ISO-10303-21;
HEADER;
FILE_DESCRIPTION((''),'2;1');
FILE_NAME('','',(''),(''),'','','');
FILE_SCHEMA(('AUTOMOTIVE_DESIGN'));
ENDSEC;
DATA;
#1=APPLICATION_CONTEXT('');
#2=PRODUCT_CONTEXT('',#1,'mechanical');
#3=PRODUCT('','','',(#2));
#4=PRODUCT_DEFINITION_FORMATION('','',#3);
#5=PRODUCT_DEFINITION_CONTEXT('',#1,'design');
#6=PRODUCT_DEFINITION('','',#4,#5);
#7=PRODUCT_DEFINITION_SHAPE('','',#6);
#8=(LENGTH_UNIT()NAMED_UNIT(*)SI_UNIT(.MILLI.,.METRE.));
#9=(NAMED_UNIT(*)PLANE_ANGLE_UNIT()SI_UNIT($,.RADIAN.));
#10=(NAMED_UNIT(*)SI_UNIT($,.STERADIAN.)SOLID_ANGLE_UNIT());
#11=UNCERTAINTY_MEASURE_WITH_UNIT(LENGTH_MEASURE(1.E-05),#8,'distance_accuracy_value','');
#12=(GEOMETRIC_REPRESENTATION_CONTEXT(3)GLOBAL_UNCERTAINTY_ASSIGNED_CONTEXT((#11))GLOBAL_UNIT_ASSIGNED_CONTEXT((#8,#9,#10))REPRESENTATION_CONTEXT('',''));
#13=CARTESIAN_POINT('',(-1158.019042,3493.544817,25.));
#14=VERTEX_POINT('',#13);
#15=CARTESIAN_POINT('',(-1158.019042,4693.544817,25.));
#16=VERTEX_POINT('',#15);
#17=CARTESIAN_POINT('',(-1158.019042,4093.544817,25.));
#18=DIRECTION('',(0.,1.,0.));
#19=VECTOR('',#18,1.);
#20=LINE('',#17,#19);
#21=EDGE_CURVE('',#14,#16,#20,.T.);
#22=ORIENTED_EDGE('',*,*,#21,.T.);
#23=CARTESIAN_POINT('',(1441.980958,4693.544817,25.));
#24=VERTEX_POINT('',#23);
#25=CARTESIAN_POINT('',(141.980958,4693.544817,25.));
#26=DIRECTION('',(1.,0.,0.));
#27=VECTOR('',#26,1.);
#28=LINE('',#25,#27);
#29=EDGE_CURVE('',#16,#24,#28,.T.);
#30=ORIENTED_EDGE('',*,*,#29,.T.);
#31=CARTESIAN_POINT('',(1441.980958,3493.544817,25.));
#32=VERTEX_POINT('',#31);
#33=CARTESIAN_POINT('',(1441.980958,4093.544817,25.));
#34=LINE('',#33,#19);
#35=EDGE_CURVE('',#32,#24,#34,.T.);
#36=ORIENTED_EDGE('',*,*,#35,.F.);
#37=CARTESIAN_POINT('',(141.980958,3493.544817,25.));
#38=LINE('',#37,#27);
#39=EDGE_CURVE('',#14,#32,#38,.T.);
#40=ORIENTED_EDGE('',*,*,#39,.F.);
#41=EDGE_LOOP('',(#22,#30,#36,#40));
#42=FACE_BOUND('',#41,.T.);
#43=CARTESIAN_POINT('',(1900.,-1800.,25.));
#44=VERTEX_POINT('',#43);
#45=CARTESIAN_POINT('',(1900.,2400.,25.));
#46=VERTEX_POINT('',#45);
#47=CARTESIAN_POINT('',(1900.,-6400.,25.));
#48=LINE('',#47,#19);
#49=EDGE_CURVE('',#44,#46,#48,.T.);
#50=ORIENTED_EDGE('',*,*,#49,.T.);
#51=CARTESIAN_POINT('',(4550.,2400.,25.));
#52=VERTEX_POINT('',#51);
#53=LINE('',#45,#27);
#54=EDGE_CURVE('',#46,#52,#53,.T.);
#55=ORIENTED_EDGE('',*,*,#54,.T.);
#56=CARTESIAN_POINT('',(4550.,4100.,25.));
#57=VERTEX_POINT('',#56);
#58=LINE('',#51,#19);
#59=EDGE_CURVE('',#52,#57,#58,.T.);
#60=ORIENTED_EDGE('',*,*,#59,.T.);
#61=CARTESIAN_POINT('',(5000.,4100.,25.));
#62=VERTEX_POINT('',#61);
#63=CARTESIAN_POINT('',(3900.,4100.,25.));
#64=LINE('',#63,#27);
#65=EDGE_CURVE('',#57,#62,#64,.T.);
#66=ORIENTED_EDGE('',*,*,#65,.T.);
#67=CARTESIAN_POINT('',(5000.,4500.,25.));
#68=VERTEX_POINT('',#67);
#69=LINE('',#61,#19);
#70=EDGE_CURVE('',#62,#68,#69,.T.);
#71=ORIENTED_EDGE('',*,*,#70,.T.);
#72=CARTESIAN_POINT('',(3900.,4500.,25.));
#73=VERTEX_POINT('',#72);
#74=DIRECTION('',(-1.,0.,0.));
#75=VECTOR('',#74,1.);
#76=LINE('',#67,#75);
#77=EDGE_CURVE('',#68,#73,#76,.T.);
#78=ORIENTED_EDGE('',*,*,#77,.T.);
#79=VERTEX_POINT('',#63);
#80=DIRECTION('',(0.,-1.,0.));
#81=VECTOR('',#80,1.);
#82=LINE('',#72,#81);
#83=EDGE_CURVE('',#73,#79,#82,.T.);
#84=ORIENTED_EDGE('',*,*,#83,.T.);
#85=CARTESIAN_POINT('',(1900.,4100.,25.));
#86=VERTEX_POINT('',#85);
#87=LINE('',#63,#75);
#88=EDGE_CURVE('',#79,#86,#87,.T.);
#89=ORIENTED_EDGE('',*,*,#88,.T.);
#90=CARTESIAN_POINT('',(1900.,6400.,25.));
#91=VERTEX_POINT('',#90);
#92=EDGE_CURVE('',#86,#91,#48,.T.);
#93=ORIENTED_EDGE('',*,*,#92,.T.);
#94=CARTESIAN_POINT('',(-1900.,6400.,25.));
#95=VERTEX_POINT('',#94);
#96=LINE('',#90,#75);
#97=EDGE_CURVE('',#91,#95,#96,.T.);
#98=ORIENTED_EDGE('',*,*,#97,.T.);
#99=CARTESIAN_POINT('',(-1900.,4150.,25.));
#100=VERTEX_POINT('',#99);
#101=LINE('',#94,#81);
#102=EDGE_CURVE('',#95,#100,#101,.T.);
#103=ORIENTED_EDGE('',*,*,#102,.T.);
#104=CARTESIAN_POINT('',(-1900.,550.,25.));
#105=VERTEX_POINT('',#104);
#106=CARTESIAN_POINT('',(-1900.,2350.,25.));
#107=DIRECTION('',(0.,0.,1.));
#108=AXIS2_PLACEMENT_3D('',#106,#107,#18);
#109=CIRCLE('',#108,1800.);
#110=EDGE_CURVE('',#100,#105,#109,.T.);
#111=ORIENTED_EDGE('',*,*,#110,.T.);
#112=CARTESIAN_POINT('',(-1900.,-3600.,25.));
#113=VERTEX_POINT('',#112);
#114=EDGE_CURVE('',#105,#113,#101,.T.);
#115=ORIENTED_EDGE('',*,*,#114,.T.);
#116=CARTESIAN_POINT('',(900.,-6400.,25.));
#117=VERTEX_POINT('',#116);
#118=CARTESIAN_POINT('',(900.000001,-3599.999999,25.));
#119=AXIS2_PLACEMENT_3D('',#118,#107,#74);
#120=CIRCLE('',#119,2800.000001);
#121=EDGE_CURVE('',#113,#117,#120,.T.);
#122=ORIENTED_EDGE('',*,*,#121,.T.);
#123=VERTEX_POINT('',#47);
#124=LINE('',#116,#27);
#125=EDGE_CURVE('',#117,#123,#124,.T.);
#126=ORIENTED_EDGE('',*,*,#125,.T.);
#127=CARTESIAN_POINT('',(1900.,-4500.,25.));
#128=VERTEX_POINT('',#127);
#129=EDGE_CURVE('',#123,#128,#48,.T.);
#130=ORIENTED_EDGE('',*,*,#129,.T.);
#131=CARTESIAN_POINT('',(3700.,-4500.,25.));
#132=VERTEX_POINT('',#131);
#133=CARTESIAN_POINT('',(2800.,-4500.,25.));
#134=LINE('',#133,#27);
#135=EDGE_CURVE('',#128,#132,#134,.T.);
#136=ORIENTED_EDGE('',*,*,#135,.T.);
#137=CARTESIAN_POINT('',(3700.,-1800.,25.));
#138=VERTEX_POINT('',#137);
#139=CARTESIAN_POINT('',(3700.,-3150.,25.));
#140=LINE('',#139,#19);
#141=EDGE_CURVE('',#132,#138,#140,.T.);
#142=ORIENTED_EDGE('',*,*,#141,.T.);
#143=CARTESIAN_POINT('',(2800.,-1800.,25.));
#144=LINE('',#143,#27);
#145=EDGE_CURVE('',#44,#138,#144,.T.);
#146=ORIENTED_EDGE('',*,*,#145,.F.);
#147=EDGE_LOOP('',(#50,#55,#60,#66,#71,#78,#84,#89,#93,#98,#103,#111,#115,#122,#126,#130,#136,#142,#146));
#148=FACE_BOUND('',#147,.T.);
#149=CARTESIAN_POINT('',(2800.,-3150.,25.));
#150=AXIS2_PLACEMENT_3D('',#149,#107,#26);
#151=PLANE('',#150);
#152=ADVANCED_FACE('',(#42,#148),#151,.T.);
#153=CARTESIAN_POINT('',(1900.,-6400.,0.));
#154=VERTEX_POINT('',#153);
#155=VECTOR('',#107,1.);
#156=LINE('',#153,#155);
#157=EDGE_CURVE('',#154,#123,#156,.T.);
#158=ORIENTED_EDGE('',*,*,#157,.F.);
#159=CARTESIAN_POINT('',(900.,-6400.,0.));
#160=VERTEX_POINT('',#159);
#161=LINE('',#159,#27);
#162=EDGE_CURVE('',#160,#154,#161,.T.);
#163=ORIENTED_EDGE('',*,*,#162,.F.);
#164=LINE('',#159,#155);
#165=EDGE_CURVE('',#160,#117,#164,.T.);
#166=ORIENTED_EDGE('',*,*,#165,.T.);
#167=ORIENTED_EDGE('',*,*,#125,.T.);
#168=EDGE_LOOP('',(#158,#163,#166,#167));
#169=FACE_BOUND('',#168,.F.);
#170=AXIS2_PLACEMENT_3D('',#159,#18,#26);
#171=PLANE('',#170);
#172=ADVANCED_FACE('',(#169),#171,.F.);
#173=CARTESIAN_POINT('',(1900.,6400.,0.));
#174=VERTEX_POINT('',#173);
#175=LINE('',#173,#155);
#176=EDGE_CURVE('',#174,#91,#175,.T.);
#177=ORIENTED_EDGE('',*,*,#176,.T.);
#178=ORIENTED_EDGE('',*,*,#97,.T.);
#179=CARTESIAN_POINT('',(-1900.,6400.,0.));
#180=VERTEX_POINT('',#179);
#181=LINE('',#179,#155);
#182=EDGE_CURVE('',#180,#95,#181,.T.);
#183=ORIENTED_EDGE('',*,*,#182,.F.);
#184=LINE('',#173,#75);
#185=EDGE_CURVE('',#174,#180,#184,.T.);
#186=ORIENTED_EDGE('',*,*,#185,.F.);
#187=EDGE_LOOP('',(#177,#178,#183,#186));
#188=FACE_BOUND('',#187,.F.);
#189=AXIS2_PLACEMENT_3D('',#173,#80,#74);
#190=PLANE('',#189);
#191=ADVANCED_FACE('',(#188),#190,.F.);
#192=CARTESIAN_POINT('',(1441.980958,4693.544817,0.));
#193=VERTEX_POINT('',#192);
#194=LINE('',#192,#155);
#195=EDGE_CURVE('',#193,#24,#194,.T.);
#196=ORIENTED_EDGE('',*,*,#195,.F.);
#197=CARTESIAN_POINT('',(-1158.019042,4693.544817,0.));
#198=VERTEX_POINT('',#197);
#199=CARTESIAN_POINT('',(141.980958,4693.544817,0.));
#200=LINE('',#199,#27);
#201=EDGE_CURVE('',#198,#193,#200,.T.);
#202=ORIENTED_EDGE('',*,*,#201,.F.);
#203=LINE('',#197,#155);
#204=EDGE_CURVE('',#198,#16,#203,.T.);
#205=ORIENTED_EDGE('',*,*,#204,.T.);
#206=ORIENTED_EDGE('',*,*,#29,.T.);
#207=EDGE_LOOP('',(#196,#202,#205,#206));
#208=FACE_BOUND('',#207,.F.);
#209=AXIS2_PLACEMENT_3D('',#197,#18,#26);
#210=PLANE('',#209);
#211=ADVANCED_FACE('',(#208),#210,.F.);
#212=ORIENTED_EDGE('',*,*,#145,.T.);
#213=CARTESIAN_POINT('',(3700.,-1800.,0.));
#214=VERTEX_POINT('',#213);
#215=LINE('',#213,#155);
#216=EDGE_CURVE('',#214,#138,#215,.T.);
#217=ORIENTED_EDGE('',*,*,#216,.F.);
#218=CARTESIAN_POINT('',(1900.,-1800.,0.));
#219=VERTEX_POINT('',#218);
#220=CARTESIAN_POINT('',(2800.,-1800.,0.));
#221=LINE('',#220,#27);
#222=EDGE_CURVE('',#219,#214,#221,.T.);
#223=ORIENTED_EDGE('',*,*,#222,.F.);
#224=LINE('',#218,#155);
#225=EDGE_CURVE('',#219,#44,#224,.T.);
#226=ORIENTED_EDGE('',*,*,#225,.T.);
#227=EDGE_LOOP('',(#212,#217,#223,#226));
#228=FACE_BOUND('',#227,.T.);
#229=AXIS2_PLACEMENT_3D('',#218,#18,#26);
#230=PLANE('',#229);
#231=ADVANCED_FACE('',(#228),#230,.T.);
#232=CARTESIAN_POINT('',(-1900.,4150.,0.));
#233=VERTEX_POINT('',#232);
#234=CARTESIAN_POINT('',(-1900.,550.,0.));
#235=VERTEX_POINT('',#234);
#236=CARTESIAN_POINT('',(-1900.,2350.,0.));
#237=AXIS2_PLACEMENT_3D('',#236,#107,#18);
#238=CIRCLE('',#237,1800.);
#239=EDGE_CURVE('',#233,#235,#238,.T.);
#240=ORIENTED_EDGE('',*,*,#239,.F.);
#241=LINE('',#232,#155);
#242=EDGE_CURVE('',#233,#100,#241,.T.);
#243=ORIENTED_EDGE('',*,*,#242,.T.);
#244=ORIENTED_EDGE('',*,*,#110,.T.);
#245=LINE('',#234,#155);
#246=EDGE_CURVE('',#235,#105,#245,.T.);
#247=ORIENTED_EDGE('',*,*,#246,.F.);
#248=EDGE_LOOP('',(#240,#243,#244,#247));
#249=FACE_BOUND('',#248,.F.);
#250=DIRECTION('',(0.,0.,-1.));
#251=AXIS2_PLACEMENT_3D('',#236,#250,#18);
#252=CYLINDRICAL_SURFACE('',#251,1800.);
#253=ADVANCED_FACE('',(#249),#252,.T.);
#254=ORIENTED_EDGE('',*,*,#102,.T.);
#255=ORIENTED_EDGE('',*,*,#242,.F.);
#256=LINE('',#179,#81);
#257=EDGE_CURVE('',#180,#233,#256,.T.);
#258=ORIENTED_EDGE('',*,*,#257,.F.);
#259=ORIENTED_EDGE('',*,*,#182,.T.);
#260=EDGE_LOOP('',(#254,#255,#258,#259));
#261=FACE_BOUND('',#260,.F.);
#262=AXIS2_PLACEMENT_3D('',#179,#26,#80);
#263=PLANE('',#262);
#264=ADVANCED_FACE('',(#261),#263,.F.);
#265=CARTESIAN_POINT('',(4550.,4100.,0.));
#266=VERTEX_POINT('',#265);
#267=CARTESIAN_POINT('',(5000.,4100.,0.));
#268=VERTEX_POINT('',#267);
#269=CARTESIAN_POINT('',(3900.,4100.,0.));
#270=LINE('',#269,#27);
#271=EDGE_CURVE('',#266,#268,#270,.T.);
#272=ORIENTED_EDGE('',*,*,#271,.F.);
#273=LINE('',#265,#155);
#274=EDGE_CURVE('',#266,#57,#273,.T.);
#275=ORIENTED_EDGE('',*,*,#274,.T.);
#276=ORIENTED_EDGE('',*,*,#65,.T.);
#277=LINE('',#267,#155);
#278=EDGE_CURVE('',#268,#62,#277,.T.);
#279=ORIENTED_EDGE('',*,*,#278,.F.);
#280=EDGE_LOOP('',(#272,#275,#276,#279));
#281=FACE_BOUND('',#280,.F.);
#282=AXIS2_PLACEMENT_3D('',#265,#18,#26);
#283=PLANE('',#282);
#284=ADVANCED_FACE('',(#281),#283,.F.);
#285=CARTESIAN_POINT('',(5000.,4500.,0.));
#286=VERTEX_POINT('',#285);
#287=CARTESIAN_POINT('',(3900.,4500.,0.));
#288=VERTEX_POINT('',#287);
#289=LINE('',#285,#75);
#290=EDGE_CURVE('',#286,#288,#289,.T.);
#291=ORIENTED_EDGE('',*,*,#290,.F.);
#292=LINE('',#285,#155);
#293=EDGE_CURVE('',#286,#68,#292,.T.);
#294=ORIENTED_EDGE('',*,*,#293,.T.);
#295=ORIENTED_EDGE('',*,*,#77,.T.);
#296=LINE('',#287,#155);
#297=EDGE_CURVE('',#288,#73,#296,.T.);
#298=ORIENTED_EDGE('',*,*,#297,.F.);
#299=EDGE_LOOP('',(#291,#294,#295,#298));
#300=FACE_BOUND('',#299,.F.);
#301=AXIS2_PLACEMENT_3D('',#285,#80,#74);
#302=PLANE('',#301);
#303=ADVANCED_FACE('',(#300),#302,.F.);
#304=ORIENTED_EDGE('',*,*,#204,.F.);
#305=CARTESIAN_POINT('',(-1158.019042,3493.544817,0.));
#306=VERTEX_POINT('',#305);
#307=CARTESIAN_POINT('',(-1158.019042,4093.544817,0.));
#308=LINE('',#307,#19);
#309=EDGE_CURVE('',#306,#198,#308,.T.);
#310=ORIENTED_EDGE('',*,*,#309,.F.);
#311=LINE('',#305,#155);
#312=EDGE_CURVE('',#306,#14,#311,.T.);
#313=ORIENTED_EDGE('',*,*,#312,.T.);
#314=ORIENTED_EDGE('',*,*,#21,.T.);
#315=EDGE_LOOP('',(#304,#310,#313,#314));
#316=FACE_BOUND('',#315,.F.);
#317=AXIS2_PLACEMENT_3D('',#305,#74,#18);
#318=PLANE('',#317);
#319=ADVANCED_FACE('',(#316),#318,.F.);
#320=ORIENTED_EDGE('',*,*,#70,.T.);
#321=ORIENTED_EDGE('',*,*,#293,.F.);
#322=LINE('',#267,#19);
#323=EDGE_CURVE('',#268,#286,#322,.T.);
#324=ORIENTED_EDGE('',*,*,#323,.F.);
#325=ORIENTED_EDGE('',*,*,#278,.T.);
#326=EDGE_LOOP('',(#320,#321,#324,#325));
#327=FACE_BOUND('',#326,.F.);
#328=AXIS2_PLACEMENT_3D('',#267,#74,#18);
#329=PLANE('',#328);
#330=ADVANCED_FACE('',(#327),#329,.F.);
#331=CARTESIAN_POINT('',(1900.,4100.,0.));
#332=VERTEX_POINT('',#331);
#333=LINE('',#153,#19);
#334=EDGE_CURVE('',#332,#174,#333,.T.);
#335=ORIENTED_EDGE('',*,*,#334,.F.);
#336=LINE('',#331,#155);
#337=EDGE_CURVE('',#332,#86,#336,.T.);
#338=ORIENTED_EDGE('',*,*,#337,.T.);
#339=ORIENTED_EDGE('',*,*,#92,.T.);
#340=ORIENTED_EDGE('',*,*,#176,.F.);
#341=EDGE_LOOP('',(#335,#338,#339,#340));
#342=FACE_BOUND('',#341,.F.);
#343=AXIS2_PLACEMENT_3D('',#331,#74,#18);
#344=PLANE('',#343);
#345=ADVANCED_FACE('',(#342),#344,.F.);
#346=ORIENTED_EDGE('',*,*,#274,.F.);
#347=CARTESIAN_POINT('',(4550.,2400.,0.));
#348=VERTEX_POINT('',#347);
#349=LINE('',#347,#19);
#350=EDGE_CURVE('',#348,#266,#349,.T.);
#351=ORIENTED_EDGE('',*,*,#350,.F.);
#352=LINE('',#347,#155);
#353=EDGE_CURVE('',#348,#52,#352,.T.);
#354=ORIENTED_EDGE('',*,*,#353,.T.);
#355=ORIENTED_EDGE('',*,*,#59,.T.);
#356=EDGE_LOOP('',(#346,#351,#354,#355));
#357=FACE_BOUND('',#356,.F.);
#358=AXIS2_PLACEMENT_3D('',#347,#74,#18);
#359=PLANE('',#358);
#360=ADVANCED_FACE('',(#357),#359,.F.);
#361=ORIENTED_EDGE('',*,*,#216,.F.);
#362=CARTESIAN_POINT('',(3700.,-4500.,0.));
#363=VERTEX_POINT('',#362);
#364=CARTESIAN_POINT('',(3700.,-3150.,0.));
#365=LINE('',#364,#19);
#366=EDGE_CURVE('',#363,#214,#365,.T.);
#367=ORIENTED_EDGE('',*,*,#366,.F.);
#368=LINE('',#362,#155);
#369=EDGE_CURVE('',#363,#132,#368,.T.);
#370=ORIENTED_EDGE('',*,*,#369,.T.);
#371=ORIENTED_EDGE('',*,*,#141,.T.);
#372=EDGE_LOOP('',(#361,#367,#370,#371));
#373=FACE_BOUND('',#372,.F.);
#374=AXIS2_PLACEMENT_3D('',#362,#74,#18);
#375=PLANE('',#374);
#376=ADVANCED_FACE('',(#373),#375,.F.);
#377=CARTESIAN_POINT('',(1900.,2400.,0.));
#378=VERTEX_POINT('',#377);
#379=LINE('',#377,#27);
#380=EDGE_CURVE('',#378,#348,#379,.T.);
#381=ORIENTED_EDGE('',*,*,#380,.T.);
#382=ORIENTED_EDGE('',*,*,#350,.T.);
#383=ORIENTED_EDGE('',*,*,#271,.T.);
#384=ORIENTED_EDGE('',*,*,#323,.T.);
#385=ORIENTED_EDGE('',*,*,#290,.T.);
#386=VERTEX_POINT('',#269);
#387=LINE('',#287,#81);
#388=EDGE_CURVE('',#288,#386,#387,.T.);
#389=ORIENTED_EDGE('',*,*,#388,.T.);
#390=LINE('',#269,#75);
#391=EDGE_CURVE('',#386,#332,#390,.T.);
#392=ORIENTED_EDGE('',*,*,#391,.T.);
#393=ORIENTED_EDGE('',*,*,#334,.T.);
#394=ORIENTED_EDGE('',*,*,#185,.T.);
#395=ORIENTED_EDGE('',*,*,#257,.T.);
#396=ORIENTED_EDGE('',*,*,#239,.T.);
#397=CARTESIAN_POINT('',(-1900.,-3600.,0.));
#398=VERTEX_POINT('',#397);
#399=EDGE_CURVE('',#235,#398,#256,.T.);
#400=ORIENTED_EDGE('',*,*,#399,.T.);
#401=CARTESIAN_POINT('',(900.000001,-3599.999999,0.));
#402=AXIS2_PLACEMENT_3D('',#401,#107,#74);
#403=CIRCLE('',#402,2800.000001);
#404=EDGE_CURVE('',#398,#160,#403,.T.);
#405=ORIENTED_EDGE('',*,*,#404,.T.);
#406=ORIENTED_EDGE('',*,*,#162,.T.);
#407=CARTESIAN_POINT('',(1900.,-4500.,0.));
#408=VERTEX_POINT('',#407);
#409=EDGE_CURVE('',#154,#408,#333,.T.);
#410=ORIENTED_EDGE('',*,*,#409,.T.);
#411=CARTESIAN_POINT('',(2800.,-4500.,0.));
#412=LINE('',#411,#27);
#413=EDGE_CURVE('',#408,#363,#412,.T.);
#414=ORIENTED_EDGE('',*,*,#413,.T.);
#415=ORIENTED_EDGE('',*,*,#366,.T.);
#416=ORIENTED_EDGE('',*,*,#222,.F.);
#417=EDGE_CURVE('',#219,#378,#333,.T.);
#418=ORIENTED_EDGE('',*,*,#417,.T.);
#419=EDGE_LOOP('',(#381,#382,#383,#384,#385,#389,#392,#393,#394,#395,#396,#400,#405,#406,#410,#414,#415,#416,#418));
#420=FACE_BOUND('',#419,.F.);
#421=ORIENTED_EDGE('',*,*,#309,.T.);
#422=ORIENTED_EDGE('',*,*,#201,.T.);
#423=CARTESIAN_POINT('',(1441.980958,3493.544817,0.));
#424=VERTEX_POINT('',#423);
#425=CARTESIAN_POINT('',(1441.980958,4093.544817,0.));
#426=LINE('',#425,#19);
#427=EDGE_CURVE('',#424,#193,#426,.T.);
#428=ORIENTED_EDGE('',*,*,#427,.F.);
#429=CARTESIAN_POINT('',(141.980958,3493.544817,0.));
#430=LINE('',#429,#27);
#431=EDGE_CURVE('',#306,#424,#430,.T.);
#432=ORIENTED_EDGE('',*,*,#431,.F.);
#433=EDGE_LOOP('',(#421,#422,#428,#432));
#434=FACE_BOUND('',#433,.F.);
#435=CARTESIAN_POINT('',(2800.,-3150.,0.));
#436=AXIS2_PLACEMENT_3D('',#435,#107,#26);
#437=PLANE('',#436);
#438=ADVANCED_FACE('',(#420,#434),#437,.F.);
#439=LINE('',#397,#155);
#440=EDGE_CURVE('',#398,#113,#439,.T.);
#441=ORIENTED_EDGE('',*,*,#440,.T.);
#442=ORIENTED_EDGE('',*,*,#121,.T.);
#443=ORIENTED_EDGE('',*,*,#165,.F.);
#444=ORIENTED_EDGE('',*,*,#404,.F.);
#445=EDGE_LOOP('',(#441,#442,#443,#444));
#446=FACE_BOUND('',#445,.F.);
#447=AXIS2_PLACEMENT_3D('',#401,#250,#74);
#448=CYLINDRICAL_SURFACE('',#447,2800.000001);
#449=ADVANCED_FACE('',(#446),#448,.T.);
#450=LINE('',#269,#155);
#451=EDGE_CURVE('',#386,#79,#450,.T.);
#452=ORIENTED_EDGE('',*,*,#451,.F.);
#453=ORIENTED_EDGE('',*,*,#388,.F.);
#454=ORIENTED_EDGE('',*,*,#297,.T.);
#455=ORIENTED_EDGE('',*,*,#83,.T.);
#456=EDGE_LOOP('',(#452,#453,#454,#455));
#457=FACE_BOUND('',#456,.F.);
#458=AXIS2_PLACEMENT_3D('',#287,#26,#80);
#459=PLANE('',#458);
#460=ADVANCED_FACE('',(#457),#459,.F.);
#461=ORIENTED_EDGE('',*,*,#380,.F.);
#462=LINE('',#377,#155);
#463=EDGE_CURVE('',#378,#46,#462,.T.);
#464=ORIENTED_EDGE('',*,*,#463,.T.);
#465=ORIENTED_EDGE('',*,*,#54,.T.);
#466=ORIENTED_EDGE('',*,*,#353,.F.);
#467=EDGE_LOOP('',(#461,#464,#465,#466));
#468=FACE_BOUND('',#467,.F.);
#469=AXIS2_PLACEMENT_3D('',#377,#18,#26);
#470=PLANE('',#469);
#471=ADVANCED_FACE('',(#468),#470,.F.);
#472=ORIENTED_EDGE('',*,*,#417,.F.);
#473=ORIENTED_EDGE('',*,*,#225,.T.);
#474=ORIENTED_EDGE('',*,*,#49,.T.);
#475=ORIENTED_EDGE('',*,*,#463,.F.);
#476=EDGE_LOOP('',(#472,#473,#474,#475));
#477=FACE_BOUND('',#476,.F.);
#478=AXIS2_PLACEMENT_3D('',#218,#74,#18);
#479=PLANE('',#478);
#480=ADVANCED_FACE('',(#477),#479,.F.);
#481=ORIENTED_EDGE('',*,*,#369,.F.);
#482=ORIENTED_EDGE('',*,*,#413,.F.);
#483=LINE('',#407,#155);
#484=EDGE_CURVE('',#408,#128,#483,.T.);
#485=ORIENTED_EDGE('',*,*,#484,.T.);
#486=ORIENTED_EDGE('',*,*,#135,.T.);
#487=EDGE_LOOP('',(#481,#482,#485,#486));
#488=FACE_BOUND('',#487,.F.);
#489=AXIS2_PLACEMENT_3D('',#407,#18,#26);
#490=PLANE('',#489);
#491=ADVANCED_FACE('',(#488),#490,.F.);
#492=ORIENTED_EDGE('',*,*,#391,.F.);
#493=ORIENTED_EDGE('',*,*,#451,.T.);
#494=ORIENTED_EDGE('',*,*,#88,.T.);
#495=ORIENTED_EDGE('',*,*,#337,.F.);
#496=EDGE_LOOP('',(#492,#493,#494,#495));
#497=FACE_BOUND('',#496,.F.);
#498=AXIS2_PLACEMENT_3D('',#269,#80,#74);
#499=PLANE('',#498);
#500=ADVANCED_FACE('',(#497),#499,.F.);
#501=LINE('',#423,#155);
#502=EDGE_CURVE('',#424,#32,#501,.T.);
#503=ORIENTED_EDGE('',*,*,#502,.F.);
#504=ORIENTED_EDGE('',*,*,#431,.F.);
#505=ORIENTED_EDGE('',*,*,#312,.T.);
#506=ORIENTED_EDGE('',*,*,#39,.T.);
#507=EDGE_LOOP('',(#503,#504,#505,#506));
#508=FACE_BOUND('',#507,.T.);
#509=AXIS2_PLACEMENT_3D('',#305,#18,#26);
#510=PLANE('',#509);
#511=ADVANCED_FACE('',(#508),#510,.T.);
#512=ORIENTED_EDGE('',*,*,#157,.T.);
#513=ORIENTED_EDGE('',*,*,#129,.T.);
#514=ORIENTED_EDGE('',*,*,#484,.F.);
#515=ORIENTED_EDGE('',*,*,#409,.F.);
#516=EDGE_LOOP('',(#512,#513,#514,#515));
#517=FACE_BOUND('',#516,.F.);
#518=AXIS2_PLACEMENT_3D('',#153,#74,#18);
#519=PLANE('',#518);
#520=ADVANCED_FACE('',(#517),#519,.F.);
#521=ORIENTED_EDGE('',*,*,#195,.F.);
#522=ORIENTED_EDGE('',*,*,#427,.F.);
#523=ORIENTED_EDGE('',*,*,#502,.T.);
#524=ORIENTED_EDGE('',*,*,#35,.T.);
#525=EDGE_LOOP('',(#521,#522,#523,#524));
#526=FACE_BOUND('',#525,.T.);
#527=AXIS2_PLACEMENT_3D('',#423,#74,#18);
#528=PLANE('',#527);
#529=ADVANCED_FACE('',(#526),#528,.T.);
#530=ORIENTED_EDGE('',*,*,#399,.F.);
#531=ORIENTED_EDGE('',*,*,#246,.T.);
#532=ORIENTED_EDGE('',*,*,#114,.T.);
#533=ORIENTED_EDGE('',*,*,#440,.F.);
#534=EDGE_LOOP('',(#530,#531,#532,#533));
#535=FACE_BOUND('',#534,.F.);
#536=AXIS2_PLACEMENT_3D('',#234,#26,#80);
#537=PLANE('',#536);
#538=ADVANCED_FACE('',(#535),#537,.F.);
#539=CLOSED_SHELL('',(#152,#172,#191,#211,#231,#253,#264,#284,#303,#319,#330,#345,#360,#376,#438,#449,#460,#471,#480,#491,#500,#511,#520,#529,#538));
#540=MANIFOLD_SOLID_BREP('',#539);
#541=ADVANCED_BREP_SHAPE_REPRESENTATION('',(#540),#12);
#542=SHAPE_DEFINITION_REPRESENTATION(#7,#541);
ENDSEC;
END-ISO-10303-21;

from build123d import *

# Parameters (mm, degrees)
F0_W     = 1800
F0_H     = 2700
F0_W_2   = 2600
F0_H_2   = 1200
F1_DEPTH = 25


with BuildPart() as f1:
    # F0 (on Top) → F1 (new body)
    with BuildSketch(Plane.XY):
        with Locations((2800, -3150)):
            Rectangle(F0_W, F0_H)
        with BuildLine():
            ThreePointArc((-1900, 4150), (-3700, 2350), (-1900, 550))
            Line((-1900, 550), (-1900, 4150))
        make_face()
        Polygon((3900, 4500), (3900, 4100), (4550, 4100), (5000, 4100), (5000, 4500), align=None)
        Polygon((1900, 4100), (1900, 2400), (4550, 2400), (4550, 4100), (3900, 4100), align=None)
        with BuildLine():
            Line((900, -6400), (1900, -6400))
            Line((1900, -6400), (1900, -4500))
            Line((1900, -4500), (1900, -1800))
            Line((1900, -1800), (1900, 2400))
            Line((1900, 2400), (1900, 4100))
            Line((1900, 4100), (1900, 6400))
            Line((1900, 6400), (-1900, 6400))
            Line((-1900, 6400), (-1900, 4150))
            Line((-1900, 4150), (-1900, 550))
            Line((-1900, 550), (-1900, -3600))
            ThreePointArc((-1900, -3600), (-1079.898987, -5579.898987), (900, -6400))
        make_face()
        with Locations((141.980958, 4093.544817)):
            Rectangle(F0_W_2, F0_H_2, mode=Mode.SUBTRACT)
    extrude(amount=F1_DEPTH)


solid = f1.part
